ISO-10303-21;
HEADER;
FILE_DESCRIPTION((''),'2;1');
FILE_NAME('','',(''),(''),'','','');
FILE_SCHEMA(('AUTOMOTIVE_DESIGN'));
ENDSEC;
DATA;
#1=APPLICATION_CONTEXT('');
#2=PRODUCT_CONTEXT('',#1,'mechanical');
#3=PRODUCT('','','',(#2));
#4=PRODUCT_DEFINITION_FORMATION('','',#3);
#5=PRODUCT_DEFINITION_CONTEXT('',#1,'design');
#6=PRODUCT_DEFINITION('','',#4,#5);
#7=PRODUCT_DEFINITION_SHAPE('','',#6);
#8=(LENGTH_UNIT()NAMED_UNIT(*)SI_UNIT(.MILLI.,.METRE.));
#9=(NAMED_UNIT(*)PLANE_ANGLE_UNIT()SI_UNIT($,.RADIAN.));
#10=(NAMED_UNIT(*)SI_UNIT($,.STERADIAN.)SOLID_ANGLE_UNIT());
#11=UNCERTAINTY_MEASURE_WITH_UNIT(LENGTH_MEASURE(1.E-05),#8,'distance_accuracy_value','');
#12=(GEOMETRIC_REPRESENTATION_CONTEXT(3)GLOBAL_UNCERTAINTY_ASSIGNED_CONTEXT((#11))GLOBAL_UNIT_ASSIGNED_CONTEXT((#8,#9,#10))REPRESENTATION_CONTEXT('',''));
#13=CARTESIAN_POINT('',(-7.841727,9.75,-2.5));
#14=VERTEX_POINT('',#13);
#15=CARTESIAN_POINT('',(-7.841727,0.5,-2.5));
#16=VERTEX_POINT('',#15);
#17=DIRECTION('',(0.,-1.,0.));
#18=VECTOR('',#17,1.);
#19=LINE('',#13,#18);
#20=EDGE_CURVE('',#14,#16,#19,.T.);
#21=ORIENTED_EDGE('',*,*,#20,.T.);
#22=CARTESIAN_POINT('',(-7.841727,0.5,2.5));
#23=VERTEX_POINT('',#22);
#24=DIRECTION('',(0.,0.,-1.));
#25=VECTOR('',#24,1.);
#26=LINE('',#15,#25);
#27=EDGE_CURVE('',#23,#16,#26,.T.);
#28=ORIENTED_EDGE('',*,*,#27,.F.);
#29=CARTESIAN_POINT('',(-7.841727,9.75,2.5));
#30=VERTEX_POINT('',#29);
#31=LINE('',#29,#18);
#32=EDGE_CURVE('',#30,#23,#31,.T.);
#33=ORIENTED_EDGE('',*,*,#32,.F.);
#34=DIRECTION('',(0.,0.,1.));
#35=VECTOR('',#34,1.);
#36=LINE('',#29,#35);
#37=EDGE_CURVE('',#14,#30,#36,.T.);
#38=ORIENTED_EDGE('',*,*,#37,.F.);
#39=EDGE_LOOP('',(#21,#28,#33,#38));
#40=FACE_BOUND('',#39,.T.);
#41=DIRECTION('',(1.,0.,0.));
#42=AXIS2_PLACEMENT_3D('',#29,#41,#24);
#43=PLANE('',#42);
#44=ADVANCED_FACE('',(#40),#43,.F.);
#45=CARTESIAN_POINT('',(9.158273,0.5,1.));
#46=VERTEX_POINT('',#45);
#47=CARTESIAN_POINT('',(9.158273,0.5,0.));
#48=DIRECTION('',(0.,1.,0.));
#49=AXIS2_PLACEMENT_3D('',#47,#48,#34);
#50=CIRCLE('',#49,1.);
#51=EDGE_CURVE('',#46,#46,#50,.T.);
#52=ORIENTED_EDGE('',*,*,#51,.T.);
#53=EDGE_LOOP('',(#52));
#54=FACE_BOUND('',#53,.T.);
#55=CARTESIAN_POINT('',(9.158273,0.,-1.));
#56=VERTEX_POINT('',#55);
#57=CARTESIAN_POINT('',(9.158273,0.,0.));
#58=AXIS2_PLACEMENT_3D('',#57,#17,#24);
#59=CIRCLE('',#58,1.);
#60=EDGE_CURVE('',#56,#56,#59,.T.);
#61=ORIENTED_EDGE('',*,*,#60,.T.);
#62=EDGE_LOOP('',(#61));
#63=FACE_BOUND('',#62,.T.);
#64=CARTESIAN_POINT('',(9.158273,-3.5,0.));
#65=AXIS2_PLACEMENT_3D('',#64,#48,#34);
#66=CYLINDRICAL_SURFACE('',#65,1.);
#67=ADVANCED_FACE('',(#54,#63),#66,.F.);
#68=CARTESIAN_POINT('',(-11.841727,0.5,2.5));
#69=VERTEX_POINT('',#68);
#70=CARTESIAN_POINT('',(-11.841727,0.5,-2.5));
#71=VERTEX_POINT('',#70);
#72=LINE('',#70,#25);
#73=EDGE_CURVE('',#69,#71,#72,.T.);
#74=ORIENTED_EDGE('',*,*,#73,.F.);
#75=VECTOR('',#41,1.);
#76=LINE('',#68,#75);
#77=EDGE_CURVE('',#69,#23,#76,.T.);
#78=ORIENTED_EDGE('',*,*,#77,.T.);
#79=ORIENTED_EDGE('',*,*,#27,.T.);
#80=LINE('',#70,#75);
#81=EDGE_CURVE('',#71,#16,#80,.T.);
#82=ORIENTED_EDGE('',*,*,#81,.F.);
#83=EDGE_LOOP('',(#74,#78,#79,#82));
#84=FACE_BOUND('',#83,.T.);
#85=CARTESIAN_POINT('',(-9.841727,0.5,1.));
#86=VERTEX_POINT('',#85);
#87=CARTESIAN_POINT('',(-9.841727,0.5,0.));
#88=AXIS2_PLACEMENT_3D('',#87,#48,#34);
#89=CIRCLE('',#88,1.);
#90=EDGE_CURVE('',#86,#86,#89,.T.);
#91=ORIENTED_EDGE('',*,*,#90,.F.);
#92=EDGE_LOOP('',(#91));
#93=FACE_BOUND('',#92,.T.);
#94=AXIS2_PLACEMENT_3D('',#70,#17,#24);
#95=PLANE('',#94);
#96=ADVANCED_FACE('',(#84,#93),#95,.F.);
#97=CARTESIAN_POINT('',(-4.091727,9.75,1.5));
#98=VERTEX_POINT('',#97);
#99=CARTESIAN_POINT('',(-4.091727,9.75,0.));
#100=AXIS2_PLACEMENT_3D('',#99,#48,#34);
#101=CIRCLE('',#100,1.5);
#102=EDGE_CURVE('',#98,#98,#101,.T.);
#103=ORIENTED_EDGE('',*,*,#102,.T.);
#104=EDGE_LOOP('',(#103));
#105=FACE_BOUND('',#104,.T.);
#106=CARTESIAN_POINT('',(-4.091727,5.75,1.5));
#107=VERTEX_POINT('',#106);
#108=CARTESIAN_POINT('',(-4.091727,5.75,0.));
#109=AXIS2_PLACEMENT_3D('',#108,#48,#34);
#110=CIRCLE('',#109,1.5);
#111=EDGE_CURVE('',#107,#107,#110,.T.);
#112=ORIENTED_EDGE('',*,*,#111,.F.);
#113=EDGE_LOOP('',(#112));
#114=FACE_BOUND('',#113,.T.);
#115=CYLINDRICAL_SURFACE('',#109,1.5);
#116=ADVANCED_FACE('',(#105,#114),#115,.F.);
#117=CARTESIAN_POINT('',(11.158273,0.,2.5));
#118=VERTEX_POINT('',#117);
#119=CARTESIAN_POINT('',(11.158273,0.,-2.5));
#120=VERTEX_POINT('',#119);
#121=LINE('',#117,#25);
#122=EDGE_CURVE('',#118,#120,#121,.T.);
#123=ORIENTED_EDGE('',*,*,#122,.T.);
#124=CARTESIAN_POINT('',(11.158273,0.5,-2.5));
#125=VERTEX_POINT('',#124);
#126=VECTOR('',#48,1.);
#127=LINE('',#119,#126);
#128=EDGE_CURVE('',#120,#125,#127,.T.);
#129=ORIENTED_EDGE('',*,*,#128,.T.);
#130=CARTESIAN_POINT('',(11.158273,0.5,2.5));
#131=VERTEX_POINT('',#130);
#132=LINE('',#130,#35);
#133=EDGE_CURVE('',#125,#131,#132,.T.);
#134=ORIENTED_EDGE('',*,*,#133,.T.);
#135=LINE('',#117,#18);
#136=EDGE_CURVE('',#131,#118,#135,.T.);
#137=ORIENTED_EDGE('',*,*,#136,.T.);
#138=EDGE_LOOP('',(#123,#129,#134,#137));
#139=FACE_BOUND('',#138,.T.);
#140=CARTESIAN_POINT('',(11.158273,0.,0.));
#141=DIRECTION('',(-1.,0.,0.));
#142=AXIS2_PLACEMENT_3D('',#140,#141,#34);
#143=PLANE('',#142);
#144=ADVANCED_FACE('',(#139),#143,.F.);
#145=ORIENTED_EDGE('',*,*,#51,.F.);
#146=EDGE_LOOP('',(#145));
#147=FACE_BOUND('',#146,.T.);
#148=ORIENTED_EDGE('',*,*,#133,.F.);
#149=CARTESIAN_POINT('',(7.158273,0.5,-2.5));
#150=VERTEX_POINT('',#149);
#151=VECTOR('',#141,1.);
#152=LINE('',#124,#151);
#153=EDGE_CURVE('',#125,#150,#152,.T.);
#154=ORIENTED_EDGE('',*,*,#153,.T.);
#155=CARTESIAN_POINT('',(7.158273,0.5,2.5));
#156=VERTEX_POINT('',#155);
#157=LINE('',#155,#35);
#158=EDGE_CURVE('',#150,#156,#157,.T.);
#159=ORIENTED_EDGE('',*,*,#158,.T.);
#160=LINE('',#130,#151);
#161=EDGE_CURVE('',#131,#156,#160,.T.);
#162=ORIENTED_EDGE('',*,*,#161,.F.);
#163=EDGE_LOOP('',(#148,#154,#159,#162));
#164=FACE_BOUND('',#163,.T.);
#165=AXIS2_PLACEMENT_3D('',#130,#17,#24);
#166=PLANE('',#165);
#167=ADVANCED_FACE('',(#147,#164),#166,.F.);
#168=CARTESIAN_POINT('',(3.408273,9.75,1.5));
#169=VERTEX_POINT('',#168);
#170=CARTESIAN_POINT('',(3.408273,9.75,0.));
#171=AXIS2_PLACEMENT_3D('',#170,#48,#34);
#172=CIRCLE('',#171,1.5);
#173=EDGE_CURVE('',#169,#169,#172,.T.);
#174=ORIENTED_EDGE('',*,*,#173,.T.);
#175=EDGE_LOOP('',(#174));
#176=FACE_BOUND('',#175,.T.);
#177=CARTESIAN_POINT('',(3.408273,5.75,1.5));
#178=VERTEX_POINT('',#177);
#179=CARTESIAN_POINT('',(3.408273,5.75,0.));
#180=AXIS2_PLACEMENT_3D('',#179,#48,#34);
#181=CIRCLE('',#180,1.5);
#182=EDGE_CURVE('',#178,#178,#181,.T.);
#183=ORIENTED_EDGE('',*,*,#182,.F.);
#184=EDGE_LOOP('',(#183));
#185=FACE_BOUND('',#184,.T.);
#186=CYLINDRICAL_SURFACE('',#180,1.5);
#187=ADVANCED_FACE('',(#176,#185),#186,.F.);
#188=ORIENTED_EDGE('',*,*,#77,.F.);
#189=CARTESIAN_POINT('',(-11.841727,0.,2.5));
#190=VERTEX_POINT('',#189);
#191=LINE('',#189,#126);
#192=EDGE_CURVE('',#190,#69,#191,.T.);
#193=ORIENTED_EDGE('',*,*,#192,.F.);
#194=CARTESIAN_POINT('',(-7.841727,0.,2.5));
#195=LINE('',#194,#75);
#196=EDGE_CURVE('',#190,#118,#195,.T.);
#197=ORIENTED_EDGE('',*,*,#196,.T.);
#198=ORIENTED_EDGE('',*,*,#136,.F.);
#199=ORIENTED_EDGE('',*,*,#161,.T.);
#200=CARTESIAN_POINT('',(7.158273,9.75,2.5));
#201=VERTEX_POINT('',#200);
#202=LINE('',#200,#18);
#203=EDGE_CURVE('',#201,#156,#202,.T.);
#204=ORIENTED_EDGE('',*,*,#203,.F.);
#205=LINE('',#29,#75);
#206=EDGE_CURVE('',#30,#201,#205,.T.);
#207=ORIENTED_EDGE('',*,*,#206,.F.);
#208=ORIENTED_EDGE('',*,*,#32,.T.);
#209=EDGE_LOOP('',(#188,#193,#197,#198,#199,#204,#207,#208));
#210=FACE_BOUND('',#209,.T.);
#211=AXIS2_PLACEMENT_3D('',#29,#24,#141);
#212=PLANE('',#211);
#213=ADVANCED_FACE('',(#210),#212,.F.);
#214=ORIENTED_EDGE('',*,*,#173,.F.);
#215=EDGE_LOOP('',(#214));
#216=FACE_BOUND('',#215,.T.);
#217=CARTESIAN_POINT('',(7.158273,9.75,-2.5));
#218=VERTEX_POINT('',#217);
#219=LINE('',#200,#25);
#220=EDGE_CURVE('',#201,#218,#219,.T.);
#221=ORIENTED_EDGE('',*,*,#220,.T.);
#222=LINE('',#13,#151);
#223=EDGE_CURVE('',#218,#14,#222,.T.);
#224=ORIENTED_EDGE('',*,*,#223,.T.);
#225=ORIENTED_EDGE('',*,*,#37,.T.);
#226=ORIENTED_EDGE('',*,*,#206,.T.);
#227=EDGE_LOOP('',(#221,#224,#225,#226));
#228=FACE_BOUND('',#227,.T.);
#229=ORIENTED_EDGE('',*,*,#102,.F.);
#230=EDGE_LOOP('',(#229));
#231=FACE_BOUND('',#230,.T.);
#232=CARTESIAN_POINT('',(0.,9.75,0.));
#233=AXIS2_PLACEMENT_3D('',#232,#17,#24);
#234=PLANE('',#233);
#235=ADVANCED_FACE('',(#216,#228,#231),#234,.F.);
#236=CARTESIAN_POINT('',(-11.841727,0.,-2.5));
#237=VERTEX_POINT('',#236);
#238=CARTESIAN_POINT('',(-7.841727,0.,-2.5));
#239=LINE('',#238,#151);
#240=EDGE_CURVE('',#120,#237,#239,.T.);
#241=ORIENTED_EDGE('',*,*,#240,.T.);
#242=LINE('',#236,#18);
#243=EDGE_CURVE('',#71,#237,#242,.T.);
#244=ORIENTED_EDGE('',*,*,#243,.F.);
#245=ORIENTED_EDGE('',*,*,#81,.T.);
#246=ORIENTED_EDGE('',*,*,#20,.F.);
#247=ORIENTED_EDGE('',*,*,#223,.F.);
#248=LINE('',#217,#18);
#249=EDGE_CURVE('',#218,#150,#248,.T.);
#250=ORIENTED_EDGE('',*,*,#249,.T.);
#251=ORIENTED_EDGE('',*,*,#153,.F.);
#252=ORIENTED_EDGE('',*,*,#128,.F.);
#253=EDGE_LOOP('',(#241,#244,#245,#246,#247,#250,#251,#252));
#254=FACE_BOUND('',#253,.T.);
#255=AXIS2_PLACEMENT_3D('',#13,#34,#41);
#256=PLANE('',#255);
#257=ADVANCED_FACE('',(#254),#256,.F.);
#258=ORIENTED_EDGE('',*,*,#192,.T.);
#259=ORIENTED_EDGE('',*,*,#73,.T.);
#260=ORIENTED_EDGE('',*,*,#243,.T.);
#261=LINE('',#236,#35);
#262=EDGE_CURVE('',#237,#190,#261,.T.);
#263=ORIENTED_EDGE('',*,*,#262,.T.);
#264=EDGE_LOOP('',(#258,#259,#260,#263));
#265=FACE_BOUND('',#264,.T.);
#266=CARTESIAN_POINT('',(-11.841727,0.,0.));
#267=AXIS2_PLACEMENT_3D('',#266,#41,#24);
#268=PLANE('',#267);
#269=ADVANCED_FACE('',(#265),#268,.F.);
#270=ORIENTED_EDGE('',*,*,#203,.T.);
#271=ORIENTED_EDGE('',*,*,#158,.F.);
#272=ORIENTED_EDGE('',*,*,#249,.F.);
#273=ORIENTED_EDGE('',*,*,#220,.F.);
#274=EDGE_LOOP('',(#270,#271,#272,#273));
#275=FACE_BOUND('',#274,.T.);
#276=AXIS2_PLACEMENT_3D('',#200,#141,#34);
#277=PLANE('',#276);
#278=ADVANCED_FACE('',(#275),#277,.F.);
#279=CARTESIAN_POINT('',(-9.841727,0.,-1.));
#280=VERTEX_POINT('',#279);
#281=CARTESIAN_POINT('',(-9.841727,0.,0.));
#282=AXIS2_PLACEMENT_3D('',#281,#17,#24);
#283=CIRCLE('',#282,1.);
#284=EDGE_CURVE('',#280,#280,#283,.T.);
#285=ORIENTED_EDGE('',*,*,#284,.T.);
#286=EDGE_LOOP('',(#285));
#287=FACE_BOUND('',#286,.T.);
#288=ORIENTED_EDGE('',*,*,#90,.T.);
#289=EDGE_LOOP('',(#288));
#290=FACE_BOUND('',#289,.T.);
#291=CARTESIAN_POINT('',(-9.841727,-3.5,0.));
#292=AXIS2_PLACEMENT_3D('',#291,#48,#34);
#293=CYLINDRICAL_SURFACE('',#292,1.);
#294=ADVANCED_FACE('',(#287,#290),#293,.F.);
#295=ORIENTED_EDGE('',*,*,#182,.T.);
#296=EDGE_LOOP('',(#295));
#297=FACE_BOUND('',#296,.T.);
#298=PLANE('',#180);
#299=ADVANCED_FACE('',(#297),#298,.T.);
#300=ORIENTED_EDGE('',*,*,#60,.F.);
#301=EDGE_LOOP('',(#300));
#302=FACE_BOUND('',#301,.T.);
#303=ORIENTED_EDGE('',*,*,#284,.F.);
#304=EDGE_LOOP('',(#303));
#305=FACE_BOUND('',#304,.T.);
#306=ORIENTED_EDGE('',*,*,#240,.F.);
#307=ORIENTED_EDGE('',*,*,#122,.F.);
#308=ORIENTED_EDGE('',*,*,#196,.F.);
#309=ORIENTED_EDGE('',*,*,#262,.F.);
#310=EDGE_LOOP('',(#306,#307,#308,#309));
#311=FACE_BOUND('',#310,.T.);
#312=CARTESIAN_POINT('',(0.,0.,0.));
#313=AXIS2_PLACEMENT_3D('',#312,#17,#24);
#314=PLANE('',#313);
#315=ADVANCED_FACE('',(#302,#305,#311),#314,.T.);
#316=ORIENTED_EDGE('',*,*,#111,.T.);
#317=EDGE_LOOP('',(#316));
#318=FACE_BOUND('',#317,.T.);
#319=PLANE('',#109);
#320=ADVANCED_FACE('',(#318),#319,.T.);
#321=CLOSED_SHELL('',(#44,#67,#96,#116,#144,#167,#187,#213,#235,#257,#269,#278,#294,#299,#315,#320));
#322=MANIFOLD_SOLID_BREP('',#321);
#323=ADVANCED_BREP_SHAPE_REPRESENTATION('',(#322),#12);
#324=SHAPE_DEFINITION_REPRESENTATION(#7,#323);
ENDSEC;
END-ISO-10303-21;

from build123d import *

# Parameters (mm, degrees)
SKETCH1_W           = 15
SKETCH1_H           = 5
BOSS_EXTRUDE1_DEPTH = 9.75
SKETCH2_R           = 1.5
CUT_EXTRUDE1_DEPTH  = 4
SKETCH3_W           = 5
SKETCH3_H           = 0.5
BOSS_EXTRUDE2_DEPTH = 4
SKETCH4_W           = 5
SKETCH4_H           = 0.5
BOSS_EXTRUDE3_DEPTH = 4
SKETCH5_R           = 1
CUT_EXTRUDE2_DEPTH  = 4


with BuildPart() as part:
    # Sketch1 → Boss-Extrude1 (new body)
    with BuildSketch(Plane(origin=(0, 0, 0), x_dir=(1, 0, 0), z_dir=(0, 1, 0))):
        with Locations((-0.341726619, 0)):
            Rectangle(SKETCH1_W, SKETCH1_H)
    extrude(amount=BOSS_EXTRUDE1_DEPTH)

    # Sketch2 → Cut-Extrude1 (cut)
    with BuildSketch(Plane(origin=(0, 9.75, 0), x_dir=(1, 0, 0), z_dir=(0, 1, 0))):
        with Locations((-4.091726619, 0)):
            Circle(SKETCH2_R)
        with Locations((3.408273381, 0)):
            Circle(SKETCH2_R)
    extrude(amount=-CUT_EXTRUDE1_DEPTH, mode=Mode.SUBTRACT)

    # Sketch3 → Boss-Extrude2 (add)
    with BuildSketch(Plane(origin=(7.158273381, 0, 0), x_dir=(0, 0, -1), z_dir=(1, 0, 0))):
        with Locations((0, 0.25)):
            Rectangle(SKETCH3_W, SKETCH3_H)
    extrude(amount=BOSS_EXTRUDE2_DEPTH)

    # Sketch4 → Boss-Extrude3 (add)
    with BuildSketch(Plane.ZY.offset(7.841726619)):
        with Locations((0, 0.25)):
            Rectangle(SKETCH4_W, SKETCH4_H)
    extrude(amount=BOSS_EXTRUDE3_DEPTH)

    # Sketch5 → Cut-Extrude2 (cut)
    with BuildSketch(Plane(origin=(0, 0.5, 0), x_dir=(1, 0, 0), z_dir=(0, 1, 0))):
        with Locations((-9.841726619, 0)):
            Circle(SKETCH5_R)
        with Locations((9.158273381, 0)):
            Circle(SKETCH5_R)
    extrude(amount=-CUT_EXTRUDE2_DEPTH, mode=Mode.SUBTRACT)


solid = part.part
